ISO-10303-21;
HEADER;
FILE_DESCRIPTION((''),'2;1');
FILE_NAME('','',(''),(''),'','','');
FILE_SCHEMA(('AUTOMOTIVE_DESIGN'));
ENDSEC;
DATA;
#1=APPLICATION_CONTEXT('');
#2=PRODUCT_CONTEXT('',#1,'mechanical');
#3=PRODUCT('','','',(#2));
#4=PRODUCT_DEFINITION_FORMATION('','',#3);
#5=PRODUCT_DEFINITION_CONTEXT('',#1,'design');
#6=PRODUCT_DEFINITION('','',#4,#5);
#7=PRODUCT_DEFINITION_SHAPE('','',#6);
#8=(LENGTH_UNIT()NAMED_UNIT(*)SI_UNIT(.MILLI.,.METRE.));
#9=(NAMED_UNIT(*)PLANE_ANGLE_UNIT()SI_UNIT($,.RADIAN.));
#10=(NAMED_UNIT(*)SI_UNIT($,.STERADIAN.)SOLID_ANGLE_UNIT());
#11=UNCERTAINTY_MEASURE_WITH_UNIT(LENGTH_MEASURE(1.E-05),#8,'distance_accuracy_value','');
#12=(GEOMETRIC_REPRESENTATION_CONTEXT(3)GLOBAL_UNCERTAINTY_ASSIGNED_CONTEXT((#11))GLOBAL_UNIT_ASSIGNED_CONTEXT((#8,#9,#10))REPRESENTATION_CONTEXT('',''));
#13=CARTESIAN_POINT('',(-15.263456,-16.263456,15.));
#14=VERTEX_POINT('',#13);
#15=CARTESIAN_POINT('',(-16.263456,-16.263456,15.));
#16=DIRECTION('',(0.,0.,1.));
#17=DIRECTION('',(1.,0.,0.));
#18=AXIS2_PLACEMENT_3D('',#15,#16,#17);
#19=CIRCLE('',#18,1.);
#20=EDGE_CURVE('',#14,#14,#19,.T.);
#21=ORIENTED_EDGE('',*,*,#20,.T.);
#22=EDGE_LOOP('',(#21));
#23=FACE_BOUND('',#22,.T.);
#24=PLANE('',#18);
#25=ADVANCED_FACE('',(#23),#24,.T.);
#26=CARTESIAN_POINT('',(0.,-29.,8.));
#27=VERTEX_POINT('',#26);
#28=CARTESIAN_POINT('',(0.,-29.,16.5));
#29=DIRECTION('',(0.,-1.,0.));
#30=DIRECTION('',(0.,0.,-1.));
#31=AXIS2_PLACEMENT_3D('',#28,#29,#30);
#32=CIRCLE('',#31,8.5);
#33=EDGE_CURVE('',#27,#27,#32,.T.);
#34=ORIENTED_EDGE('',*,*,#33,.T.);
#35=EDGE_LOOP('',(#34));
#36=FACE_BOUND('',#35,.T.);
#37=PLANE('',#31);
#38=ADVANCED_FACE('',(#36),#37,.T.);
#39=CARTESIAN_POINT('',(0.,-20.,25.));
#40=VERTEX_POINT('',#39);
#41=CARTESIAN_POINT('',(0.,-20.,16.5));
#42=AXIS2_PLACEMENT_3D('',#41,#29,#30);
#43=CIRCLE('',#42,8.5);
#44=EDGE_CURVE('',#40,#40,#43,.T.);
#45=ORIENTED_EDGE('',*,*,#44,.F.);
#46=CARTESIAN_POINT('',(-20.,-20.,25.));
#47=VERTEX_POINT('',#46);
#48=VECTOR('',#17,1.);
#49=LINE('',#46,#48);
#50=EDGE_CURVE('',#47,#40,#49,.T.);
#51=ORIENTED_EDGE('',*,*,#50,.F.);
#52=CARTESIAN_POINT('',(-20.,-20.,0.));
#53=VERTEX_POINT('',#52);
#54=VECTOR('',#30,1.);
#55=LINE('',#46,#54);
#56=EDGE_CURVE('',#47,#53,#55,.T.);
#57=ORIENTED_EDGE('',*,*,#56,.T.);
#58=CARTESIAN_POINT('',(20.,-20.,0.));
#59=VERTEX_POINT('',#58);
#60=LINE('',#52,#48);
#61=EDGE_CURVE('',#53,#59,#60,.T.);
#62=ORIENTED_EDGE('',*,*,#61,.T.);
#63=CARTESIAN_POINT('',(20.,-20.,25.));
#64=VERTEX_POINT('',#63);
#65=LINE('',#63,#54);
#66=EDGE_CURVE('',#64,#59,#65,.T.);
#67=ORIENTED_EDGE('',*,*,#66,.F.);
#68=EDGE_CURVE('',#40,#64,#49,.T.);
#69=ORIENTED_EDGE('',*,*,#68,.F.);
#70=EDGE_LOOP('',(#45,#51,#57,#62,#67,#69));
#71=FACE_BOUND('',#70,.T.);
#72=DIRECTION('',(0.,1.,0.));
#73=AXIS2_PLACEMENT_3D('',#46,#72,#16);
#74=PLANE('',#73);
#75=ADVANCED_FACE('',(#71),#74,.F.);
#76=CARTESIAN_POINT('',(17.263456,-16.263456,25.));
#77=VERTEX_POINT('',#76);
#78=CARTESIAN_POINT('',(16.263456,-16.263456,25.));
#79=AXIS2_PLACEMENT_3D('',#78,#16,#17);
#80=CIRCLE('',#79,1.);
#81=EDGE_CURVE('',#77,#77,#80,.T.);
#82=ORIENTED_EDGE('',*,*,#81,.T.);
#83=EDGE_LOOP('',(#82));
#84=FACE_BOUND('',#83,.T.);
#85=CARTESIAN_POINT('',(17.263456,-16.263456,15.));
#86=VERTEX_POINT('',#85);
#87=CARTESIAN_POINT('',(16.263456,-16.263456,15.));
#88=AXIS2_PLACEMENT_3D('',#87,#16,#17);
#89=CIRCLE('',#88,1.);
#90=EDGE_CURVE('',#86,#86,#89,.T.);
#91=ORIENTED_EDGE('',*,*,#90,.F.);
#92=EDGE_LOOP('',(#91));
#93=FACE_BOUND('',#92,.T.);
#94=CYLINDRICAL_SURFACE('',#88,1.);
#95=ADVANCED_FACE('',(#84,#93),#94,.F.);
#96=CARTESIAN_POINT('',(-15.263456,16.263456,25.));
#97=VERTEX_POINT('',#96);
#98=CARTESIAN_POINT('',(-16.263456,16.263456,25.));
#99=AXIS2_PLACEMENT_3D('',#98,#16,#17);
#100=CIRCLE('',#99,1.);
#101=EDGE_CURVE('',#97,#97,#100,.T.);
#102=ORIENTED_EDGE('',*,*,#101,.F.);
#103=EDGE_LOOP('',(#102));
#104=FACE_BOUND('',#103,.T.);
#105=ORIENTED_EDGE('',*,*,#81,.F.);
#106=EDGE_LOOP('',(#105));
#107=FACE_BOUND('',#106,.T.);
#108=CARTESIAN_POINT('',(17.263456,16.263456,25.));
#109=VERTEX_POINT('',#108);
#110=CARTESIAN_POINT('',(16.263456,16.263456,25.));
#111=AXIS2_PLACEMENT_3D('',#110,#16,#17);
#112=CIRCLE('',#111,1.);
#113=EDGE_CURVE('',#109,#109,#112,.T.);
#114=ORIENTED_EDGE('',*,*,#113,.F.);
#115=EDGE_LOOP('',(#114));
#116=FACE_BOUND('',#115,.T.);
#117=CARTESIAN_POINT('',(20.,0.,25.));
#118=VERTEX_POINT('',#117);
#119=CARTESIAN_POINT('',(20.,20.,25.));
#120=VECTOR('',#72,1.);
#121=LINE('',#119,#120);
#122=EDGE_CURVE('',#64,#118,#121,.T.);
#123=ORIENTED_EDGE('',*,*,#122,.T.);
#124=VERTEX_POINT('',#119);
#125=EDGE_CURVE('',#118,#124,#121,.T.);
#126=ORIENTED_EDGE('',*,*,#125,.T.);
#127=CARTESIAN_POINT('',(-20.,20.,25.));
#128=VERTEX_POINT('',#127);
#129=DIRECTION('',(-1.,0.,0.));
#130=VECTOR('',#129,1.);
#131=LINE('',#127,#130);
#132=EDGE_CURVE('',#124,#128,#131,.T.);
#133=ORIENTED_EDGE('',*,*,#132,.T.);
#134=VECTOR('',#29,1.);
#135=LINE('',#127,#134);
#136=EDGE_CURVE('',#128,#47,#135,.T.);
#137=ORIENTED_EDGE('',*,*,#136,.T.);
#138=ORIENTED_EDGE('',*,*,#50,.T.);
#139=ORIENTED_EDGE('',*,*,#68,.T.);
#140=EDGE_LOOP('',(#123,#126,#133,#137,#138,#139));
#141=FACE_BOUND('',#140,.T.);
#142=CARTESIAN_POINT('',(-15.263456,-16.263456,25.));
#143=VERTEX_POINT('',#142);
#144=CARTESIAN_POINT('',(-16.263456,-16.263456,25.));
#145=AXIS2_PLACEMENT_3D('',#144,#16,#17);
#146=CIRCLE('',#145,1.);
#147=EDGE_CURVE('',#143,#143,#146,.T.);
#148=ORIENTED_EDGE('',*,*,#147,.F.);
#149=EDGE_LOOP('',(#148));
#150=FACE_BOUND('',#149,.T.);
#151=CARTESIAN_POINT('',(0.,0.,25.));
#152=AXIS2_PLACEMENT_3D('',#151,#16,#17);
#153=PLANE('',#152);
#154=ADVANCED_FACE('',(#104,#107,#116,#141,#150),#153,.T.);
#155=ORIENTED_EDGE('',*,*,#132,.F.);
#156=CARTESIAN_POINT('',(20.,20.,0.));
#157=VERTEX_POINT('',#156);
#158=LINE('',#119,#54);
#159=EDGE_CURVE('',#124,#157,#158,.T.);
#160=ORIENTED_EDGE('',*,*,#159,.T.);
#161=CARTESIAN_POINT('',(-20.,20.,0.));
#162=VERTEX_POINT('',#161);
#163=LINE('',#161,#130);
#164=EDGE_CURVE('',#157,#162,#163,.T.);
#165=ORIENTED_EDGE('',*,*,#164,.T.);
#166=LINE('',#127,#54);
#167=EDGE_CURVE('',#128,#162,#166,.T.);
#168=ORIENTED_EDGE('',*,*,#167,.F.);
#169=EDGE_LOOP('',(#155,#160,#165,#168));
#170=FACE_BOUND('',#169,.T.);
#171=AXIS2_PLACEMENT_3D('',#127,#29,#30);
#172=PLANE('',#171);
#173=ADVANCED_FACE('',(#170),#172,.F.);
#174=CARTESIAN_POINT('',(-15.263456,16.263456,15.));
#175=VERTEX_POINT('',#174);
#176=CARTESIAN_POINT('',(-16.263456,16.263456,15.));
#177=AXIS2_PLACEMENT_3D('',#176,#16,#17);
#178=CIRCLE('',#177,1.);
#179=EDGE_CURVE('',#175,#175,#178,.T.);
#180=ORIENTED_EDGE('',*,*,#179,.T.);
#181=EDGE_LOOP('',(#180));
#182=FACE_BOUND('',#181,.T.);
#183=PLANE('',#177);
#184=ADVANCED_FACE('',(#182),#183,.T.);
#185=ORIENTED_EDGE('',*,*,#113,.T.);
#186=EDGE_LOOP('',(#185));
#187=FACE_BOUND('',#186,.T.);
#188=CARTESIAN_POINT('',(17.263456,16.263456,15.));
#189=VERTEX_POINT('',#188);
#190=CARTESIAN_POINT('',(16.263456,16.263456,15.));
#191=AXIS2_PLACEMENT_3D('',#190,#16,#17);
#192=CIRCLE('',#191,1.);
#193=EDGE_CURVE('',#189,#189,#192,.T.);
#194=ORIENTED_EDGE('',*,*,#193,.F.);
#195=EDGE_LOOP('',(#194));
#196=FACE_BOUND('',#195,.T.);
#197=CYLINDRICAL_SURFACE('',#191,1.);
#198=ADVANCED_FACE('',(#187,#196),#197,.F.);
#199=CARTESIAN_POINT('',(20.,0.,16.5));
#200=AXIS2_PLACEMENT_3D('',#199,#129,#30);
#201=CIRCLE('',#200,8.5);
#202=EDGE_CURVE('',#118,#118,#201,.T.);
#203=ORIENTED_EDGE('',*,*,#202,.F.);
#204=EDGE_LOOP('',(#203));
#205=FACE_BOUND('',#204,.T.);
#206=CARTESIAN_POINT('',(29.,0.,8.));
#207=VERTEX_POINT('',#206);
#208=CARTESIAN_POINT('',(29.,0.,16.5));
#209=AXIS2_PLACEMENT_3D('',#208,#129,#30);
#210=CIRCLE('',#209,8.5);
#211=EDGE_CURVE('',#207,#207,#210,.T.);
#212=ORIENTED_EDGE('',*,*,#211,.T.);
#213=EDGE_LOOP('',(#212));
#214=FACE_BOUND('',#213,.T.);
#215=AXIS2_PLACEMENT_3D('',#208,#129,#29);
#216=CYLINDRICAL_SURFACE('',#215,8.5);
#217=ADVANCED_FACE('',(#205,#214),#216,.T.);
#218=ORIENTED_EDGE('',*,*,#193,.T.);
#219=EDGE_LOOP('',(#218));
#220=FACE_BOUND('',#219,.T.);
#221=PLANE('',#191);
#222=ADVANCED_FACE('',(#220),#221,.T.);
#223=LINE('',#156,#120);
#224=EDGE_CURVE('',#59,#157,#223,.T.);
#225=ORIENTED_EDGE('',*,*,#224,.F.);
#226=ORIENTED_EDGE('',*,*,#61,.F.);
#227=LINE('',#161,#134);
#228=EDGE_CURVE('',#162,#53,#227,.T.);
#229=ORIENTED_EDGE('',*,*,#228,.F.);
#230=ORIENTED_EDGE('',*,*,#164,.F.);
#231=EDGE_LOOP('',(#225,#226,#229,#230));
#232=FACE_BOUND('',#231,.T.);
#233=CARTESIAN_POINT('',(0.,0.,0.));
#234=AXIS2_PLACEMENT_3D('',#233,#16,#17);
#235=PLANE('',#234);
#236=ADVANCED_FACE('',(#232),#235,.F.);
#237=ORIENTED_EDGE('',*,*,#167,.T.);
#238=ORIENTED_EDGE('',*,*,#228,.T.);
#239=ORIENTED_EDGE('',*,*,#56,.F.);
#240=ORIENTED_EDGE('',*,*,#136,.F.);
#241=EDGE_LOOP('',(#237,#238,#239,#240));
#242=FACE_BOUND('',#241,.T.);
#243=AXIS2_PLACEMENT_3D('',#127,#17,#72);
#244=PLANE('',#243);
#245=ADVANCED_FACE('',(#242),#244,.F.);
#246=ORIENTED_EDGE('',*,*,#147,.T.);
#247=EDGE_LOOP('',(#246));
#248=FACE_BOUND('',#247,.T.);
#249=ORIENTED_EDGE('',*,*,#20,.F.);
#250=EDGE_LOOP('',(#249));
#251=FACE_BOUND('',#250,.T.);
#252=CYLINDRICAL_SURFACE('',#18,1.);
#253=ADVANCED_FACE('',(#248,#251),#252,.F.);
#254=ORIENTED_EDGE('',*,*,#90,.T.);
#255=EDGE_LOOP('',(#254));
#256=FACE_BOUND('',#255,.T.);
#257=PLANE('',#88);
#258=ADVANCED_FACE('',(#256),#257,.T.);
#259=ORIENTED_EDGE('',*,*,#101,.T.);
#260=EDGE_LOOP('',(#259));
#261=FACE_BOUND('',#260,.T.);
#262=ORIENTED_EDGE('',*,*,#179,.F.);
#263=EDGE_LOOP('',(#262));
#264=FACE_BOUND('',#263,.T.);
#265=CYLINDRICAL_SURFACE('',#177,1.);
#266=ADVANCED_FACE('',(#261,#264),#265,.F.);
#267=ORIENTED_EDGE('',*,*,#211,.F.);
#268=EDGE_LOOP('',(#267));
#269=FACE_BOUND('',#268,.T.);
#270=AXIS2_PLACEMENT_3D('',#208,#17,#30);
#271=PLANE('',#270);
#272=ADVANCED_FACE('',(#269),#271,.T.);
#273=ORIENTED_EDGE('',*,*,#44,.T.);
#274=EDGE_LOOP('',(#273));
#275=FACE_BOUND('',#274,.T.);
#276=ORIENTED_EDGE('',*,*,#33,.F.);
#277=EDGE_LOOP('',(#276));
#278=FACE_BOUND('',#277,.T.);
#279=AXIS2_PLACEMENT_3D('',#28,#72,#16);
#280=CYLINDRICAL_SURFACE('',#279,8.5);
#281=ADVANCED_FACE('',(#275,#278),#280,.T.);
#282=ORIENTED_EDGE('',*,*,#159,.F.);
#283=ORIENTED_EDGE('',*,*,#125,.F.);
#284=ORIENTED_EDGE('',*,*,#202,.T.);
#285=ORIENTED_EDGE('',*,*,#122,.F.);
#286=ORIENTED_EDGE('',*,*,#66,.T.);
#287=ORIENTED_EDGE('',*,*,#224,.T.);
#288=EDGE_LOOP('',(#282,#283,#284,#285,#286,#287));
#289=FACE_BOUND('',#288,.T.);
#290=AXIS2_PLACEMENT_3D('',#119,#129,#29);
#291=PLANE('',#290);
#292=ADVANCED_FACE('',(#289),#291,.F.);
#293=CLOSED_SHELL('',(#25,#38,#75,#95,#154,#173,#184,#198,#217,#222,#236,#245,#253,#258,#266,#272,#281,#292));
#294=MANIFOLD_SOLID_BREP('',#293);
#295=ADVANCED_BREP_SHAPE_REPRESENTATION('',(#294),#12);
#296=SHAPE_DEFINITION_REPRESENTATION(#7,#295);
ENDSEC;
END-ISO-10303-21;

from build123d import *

# Parameters (mm, degrees)
SKETCH1_W           = 40
SKETCH1_H           = 40
BOSS_EXTRUDE1_DEPTH = 25
SKETCH2_R           = 8.5
BOSS_EXTRUDE2_DEPTH = 9
SKETCH3_R           = 1
CUT_EXTRUDE1_DEPTH  = 10


with BuildPart() as part:
    # Sketch1 → Boss-Extrude1 (new body)
    with BuildSketch(Plane.XY):
        Rectangle(SKETCH1_W, SKETCH1_H)
    extrude(amount=BOSS_EXTRUDE1_DEPTH)

    # Sketch2 → Boss-Extrude2 (add)
    with BuildSketch(Plane.XZ.offset(20)):
        with Locations((0, 16.5)):
            Circle(SKETCH2_R)
    boss_extrude2 = extrude(amount=BOSS_EXTRUDE2_DEPTH)

    # Mirror1: Boss-Extrude2 across plane
    add(boss_extrude2.mirror(Plane(origin=(0, 0, 0), x_dir=(0, 0, 1), z_dir=(0.707106781, 0.707106781, 0))))

    # Sketch3 → Cut-Extrude1 (cut)
    with BuildSketch(Plane.XY.offset(25)):
        with Locations((-16.263455967, 16.263455967)):
            Circle(SKETCH3_R)
        with Locations((16.263455967, 16.263455967)):
            Circle(SKETCH3_R)
        with Locations((-16.263455967, -16.263455967)):
            Circle(SKETCH3_R)
        with Locations((16.263455967, -16.263455967)):
            Circle(SKETCH3_R)
    extrude(amount=-CUT_EXTRUDE1_DEPTH, mode=Mode.SUBTRACT)


solid = part.part
